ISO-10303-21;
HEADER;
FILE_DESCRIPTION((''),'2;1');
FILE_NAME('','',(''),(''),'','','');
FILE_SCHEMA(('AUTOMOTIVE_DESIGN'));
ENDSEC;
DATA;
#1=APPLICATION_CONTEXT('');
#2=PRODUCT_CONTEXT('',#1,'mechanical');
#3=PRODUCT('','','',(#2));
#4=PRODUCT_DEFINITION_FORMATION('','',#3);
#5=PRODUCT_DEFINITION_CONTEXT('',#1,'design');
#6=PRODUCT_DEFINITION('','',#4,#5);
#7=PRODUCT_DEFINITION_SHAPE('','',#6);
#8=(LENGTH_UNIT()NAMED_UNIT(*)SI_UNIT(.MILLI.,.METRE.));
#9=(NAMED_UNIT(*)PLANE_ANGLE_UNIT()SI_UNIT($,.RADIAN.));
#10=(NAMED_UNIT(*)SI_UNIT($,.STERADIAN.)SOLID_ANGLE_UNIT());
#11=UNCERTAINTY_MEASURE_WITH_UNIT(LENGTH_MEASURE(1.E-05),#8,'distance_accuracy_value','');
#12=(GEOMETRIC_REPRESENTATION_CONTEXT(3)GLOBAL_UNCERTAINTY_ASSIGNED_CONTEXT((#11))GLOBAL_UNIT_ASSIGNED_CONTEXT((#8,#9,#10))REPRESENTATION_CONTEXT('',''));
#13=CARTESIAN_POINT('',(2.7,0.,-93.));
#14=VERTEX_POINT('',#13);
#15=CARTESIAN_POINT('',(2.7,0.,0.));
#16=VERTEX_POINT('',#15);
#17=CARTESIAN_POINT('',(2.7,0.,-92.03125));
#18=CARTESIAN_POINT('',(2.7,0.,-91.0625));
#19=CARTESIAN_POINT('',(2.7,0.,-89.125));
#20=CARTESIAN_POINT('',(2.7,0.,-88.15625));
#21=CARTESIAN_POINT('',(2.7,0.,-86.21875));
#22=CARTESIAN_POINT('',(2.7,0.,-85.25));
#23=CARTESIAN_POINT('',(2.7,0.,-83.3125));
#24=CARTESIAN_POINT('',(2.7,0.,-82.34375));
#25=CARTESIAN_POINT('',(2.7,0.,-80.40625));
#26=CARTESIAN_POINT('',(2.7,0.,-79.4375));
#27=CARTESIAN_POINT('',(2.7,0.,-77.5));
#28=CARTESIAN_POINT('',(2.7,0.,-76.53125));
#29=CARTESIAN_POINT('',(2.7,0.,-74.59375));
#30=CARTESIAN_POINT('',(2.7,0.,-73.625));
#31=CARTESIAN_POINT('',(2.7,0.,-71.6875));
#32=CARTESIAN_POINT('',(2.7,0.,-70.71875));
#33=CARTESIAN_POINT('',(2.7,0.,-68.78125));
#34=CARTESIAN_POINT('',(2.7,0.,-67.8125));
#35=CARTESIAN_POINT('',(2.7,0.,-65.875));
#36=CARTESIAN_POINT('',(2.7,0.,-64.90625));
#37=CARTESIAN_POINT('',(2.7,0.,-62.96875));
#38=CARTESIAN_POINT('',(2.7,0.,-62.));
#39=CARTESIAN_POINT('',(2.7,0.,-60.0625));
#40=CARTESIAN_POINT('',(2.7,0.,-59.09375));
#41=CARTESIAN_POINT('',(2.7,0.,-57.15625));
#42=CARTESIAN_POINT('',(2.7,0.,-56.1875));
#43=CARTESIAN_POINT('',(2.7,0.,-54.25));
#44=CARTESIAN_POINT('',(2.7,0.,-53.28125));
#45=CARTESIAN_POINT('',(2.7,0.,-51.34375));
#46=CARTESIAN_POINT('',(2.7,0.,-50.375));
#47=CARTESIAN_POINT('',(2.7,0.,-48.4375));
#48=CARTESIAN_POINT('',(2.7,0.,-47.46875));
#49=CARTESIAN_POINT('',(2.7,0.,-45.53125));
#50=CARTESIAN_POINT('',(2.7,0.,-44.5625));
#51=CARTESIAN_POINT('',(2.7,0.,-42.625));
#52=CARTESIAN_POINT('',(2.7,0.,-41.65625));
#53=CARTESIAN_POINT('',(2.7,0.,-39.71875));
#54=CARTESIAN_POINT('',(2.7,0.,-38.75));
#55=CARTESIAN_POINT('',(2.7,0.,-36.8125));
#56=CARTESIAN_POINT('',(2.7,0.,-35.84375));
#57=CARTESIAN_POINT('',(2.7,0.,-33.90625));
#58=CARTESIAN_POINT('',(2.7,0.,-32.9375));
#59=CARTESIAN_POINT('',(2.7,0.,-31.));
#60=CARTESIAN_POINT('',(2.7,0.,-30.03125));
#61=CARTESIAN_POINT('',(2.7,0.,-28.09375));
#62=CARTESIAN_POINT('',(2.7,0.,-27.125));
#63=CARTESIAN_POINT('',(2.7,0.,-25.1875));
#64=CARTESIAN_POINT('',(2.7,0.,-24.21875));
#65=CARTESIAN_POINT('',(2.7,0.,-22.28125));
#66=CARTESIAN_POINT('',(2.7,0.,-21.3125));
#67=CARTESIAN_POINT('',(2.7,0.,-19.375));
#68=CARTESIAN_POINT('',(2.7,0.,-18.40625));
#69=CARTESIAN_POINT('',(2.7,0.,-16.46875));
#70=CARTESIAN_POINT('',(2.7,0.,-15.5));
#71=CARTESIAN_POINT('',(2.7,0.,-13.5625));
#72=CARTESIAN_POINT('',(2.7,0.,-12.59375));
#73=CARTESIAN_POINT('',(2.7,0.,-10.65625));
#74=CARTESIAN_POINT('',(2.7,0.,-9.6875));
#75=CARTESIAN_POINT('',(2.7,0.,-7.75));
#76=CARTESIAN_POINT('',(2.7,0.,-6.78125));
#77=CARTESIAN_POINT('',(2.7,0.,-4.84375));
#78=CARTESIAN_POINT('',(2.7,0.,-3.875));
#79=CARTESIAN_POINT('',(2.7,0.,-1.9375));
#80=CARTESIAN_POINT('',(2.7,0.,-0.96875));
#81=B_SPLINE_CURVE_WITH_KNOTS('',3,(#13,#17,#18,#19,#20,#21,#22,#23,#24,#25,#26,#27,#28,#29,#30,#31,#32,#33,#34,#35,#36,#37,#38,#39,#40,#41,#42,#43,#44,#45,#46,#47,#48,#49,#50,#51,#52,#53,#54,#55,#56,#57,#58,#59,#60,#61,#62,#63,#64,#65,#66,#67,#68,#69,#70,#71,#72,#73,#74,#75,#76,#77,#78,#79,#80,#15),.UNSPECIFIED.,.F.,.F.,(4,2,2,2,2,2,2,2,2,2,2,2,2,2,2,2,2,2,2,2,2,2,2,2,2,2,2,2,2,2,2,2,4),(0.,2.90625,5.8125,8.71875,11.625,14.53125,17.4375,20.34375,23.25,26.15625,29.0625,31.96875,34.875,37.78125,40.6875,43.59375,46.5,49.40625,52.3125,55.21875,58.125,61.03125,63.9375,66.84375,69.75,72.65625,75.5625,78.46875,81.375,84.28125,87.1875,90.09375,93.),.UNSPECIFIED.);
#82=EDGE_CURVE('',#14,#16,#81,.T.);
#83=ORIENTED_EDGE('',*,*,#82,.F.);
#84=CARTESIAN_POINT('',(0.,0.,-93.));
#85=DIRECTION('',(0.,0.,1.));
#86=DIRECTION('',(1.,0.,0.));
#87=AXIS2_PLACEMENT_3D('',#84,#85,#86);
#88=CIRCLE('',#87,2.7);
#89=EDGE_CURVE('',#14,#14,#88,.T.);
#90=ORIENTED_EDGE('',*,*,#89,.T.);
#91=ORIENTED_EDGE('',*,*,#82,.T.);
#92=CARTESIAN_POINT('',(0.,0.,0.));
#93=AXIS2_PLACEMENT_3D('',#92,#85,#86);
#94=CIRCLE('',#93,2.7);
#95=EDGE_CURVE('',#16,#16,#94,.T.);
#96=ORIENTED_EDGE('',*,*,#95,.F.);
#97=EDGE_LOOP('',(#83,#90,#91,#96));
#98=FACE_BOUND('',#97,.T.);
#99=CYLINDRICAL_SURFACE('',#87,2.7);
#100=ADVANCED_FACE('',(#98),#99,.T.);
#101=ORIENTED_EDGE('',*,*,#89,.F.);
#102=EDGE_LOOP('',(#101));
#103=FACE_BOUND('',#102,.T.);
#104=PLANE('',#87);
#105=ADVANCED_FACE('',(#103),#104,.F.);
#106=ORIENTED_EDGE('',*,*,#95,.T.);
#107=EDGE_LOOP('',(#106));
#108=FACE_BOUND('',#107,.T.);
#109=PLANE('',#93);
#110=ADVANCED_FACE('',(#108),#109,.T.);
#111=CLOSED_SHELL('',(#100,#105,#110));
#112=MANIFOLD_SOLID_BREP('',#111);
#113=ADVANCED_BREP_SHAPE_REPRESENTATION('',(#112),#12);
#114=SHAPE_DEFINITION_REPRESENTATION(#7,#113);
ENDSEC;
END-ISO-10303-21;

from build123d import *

# Parameters (mm, degrees)
SKETCH1_R          = 2.7
BASE_EXTRUDE_DEPTH = 93


with BuildPart() as part:
    # Sketch1 → Base-Extrude (new body)
    with BuildSketch(Plane.XY):
        Circle(SKETCH1_R)
    extrude(amount=-BASE_EXTRUDE_DEPTH)


solid = part.part
